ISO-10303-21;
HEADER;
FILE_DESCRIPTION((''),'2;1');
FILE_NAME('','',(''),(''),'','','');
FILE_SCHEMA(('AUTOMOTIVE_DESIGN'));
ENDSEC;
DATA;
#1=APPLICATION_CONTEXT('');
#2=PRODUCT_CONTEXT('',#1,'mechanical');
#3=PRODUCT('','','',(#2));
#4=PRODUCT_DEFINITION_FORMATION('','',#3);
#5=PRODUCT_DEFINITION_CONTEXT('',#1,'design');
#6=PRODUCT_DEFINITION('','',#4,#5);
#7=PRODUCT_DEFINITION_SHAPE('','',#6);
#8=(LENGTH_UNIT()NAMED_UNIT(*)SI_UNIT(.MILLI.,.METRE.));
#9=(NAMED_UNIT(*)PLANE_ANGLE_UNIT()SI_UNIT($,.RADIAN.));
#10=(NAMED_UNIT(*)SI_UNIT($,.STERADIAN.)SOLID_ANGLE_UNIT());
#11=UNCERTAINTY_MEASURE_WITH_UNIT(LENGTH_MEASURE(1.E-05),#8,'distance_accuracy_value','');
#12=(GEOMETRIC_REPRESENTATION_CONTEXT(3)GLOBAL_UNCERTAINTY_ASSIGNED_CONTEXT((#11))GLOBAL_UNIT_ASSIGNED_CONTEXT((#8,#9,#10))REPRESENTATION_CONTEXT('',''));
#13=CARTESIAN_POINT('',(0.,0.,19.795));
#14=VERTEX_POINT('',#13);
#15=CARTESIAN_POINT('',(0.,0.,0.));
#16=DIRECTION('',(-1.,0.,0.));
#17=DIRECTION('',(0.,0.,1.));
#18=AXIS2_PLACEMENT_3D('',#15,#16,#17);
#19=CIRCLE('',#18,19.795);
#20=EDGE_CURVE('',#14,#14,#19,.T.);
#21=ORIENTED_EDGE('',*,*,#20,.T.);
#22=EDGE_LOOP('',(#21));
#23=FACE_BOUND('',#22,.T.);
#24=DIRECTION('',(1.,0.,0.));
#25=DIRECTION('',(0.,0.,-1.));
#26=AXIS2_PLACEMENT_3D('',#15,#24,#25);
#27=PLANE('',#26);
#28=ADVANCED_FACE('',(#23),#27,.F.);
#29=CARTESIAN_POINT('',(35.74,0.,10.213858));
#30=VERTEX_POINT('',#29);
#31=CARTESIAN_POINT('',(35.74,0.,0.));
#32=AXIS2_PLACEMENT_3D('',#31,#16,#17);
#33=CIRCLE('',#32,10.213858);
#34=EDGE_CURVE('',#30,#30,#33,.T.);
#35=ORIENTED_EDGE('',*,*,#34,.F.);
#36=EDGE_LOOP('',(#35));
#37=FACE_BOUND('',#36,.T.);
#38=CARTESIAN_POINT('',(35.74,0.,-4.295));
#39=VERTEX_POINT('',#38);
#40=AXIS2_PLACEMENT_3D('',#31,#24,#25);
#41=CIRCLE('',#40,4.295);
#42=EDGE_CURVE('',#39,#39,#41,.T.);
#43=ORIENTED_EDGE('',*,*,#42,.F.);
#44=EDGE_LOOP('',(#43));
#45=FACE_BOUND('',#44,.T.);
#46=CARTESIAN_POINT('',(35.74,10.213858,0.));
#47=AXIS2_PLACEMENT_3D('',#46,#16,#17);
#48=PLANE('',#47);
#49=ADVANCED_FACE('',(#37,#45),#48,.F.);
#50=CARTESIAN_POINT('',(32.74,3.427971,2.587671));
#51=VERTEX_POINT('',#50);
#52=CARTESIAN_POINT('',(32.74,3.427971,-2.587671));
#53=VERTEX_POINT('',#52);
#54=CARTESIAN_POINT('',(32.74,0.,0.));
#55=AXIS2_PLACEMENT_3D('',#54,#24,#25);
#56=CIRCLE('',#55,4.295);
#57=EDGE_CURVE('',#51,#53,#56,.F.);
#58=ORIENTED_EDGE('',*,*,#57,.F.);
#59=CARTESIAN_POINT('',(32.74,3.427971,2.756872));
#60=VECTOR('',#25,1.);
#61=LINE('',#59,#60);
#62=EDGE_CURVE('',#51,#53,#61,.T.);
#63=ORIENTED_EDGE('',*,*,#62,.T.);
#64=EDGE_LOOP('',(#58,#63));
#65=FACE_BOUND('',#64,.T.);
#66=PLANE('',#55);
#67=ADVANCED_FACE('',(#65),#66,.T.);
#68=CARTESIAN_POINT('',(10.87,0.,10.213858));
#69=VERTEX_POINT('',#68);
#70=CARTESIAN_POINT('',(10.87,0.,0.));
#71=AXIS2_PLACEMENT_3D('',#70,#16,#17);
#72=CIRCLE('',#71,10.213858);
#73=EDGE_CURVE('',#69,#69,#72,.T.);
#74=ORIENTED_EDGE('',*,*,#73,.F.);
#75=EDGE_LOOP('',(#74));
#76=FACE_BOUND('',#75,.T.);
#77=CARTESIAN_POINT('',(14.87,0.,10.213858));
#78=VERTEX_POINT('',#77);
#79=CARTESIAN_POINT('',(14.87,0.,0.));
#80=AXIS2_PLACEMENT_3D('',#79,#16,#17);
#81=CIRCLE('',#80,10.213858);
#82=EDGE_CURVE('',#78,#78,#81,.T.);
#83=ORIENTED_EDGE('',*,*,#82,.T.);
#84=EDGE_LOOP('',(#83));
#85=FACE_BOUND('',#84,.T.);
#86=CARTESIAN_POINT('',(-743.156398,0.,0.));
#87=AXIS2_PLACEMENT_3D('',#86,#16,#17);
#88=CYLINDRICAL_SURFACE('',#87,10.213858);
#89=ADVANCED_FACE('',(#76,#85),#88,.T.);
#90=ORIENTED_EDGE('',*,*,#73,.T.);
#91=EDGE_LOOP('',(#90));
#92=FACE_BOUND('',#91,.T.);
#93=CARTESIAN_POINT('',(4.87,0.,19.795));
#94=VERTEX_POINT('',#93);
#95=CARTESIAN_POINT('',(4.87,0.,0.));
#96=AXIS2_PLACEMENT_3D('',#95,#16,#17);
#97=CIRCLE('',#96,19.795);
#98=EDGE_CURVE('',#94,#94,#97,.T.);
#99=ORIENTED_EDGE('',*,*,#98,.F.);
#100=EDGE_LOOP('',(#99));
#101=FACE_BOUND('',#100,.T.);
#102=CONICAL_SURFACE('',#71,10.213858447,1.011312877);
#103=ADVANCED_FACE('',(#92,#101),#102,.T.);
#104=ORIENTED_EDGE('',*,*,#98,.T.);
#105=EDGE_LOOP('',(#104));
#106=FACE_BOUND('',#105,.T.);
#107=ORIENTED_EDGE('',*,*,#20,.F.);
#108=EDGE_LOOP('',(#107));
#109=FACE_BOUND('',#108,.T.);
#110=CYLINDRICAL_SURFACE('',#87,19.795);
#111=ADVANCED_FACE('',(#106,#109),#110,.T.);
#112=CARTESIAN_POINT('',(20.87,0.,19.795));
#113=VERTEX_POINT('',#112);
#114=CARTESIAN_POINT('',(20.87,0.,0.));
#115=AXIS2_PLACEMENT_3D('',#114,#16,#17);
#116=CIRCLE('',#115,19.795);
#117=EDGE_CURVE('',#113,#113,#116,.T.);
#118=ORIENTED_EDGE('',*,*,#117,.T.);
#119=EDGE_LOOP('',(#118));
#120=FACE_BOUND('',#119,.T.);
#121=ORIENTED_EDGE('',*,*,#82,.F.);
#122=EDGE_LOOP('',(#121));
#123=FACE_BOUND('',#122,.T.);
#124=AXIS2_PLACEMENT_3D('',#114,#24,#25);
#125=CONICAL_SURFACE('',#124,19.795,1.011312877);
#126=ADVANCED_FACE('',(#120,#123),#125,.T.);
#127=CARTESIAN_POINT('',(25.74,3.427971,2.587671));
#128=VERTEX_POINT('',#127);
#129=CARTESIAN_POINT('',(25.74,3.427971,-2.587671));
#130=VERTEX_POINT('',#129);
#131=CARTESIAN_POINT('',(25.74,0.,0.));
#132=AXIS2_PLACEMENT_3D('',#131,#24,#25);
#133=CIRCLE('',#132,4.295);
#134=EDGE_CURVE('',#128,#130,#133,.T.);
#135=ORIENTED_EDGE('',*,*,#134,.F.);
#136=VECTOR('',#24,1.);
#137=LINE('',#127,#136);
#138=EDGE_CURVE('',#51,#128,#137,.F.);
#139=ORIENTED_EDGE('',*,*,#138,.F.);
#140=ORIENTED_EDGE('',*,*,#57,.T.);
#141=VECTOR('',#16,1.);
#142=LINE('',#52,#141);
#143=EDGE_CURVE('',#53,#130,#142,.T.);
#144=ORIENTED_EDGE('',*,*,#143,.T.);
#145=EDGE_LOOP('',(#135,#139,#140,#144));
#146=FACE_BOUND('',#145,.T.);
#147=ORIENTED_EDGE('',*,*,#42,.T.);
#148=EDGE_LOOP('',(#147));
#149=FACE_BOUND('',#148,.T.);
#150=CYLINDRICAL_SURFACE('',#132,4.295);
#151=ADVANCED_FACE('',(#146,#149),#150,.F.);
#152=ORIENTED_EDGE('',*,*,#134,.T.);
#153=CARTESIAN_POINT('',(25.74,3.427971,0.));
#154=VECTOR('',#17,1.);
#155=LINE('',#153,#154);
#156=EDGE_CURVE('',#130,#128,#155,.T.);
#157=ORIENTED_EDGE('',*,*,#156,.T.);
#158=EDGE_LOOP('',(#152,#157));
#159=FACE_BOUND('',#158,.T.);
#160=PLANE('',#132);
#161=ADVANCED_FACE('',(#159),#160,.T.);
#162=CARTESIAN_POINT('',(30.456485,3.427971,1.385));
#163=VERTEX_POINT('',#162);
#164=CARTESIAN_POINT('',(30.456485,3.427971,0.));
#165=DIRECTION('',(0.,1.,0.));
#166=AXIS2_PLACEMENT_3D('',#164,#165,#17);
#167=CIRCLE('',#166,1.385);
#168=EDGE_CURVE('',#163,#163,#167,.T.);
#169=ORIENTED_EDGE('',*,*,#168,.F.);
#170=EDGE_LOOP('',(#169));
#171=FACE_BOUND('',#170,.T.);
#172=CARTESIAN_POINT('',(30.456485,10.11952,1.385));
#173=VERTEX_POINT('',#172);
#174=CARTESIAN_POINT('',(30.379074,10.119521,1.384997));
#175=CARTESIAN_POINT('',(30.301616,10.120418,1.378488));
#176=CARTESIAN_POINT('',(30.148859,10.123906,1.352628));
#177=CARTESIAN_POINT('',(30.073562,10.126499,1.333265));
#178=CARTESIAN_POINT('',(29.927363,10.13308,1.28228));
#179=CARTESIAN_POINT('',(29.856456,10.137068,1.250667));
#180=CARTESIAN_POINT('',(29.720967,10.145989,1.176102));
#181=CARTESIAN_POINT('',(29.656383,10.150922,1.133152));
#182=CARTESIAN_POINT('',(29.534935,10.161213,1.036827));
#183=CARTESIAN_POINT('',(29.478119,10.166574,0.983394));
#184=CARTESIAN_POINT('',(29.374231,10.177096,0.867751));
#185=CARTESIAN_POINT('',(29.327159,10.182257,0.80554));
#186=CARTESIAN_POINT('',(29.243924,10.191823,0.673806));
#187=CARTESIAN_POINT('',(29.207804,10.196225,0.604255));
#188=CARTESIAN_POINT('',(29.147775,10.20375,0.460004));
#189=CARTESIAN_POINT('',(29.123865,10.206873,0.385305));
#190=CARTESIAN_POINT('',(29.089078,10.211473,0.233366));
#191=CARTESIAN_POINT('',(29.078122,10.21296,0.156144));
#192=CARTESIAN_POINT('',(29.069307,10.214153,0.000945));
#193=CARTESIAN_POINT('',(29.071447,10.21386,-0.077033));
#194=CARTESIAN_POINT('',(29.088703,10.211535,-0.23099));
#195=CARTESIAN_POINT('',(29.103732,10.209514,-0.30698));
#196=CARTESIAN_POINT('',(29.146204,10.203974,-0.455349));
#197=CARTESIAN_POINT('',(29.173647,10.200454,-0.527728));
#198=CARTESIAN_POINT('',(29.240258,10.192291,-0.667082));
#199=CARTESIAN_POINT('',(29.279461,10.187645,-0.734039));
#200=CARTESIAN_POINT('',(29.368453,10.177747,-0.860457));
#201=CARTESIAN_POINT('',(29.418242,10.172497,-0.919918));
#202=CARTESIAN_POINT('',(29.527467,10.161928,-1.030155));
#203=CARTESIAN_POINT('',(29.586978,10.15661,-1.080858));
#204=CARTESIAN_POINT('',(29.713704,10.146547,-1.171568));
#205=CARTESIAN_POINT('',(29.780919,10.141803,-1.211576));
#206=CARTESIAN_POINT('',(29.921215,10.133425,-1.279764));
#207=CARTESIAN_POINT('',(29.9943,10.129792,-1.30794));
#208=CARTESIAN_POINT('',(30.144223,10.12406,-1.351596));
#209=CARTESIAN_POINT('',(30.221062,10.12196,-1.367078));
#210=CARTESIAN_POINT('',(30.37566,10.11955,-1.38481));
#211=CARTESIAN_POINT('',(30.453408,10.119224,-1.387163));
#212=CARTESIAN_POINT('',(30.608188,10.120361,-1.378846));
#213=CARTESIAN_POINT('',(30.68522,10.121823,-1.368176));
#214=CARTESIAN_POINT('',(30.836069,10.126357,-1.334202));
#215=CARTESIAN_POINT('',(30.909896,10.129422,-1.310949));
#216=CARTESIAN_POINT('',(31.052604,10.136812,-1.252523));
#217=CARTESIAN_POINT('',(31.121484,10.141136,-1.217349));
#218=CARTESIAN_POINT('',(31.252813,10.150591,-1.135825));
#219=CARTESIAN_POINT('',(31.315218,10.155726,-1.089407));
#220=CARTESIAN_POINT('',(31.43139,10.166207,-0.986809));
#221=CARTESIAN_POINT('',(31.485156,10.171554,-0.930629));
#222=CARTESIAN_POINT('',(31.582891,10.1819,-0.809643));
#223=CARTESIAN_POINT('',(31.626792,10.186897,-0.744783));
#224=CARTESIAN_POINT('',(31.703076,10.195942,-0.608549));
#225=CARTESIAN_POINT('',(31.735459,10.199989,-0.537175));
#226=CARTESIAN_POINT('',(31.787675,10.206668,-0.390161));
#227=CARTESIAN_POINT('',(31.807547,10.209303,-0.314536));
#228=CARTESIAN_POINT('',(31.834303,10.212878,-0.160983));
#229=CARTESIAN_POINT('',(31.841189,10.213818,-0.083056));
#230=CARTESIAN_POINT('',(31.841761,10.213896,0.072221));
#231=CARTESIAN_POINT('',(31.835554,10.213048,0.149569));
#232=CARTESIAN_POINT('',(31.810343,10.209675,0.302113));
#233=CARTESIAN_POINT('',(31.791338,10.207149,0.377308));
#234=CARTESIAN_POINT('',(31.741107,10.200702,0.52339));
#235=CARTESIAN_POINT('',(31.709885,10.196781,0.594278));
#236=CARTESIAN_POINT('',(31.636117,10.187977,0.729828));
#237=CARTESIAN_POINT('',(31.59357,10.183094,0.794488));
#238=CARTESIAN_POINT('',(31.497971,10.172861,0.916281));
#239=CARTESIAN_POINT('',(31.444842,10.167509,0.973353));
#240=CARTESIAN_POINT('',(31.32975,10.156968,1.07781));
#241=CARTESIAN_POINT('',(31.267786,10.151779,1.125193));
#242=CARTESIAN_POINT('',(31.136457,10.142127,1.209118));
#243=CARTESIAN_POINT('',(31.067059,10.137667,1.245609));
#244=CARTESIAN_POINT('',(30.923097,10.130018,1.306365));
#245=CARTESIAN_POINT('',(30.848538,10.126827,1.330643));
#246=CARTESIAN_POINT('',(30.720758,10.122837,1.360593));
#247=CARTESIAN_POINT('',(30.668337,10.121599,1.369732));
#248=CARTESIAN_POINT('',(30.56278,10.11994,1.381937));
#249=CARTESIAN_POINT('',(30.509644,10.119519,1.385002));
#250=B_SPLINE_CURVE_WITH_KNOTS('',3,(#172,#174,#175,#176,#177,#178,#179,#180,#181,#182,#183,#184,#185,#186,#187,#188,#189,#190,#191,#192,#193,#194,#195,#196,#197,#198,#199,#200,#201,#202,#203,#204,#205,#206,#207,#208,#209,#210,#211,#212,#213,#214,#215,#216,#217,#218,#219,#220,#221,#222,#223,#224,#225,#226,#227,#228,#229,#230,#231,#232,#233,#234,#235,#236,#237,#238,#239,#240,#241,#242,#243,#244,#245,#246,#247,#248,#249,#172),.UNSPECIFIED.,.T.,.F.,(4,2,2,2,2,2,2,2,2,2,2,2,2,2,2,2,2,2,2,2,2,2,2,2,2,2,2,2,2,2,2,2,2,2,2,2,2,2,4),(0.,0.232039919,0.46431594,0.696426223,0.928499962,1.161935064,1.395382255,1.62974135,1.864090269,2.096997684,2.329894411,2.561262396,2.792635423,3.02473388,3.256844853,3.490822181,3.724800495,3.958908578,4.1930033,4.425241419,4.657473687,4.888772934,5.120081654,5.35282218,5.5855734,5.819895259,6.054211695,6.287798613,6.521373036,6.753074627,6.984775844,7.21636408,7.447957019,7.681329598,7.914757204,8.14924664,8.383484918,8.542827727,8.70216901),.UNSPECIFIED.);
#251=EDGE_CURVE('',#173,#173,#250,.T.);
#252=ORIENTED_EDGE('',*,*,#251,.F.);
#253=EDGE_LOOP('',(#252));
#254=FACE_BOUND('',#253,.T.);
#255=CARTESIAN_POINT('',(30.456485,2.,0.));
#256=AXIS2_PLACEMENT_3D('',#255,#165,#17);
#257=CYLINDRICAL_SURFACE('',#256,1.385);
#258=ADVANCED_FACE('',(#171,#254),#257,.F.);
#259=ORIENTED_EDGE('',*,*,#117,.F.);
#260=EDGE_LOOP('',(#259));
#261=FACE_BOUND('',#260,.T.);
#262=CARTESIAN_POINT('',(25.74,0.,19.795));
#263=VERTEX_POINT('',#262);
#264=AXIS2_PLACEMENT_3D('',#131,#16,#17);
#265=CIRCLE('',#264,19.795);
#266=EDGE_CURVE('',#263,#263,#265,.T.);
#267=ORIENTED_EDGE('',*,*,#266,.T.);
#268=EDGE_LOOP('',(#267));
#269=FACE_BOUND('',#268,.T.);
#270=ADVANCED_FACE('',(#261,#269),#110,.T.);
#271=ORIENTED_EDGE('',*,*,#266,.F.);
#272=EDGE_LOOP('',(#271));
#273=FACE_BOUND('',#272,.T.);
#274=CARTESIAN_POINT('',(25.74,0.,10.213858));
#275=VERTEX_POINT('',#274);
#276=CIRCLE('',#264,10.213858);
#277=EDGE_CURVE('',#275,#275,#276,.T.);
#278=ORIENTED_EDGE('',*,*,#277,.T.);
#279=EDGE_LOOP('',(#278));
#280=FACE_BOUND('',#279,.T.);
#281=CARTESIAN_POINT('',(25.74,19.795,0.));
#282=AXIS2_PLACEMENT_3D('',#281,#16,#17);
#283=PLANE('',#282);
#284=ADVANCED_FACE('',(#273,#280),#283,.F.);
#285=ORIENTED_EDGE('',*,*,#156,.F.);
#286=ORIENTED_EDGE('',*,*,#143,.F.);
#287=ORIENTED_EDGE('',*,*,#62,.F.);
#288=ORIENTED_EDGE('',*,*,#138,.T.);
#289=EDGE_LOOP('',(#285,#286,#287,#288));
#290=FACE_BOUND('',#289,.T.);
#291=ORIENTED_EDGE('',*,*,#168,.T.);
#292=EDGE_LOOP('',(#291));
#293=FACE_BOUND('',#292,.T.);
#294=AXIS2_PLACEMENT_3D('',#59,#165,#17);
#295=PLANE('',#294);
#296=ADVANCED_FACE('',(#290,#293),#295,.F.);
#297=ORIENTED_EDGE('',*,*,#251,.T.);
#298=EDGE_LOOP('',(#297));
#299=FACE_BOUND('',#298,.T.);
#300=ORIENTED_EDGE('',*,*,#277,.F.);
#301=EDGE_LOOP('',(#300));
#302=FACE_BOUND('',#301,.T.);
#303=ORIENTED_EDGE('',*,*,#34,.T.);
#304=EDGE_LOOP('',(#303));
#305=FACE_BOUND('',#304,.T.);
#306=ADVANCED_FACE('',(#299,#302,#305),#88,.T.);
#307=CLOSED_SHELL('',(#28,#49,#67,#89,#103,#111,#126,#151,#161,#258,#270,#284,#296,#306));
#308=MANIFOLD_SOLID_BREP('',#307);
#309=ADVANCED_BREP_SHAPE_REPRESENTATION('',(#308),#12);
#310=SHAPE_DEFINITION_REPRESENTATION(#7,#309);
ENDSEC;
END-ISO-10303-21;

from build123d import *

# Parameters (mm, degrees)
SKETCH_2_R          = 1.385
CUT_EXTRUDE_1_DEPTH = 10
SKETCH_3_R          = 4.295
CUT_EXTRUDE_2_DEPTH = 10
SKETCH_4_W          = 5.34454344
SKETCH_4_H          = 1.293128569
EXTRUDE_1_DEPTH     = 7
SKETCH_6_R          = 1.385
CUT_EXTRUDE_3_DEPTH = 7


with BuildPart() as part:
    # 草圖1 → 旋轉1 (revolve)
    with BuildSketch(Plane.XY, mode=Mode.PRIVATE) as revolve_1_sk:
        Polygon((0, 0), (0, 19.795), (4.87, 19.795), (10.87, 10.213858447), (14.87, 10.213858447), (20.87, 19.795), (25.74, 19.795), (25.74, 10.213858447), (35.74, 10.213858447), (35.74, 0), align=None)
    revolve(revolve_1_sk.sketch.rotate(Axis((-743.15639781, 0, 0), (1, 0, 0)), 90), axis=Axis((-743.15639781, 0, 0), (1, 0, 0)))

    # 草圖2 → 除料-伸長1 (cut)
    with BuildSketch(Plane(origin=(0, 12, 0), x_dir=(1, 0, 0), z_dir=(0, 1, 0))):
        with Locations(Location((30.456485429, 0, 0), (0, 0, 270))):
            Circle(SKETCH_2_R)
    extrude(amount=-CUT_EXTRUDE_1_DEPTH, mode=Mode.SUBTRACT)

    # 草圖3 → 除料-伸長2 (cut)
    with BuildSketch(Plane(origin=(35.74, 0, 0), x_dir=(0, 0, -1), z_dir=(1, 0, 0))):
        Circle(SKETCH_3_R)
    extrude(amount=-CUT_EXTRUDE_2_DEPTH, mode=Mode.SUBTRACT)

    # 草圖4 → 填料-伸長1 (add)
    with BuildSketch(Plane(origin=(25.74, 0, 0), x_dir=(0, 0, -1), z_dir=(1, 0, 0))):
        with Locations((-0.084600543, 4.07453495)):
            Rectangle(SKETCH_4_W, SKETCH_4_H)
    extrude(amount=EXTRUDE_1_DEPTH)

    # 草圖6 → 除料-伸長3 (cut)
    with BuildSketch(Plane(origin=(0, 4.721099234, 0), x_dir=(1, 0, 0), z_dir=(0, 1, 0))):
        with Locations(Location((30.456485429, 0, 0), (0, 0, 270))):
            Circle(SKETCH_6_R)
    extrude(amount=-CUT_EXTRUDE_3_DEPTH, mode=Mode.SUBTRACT)


solid = part.part
